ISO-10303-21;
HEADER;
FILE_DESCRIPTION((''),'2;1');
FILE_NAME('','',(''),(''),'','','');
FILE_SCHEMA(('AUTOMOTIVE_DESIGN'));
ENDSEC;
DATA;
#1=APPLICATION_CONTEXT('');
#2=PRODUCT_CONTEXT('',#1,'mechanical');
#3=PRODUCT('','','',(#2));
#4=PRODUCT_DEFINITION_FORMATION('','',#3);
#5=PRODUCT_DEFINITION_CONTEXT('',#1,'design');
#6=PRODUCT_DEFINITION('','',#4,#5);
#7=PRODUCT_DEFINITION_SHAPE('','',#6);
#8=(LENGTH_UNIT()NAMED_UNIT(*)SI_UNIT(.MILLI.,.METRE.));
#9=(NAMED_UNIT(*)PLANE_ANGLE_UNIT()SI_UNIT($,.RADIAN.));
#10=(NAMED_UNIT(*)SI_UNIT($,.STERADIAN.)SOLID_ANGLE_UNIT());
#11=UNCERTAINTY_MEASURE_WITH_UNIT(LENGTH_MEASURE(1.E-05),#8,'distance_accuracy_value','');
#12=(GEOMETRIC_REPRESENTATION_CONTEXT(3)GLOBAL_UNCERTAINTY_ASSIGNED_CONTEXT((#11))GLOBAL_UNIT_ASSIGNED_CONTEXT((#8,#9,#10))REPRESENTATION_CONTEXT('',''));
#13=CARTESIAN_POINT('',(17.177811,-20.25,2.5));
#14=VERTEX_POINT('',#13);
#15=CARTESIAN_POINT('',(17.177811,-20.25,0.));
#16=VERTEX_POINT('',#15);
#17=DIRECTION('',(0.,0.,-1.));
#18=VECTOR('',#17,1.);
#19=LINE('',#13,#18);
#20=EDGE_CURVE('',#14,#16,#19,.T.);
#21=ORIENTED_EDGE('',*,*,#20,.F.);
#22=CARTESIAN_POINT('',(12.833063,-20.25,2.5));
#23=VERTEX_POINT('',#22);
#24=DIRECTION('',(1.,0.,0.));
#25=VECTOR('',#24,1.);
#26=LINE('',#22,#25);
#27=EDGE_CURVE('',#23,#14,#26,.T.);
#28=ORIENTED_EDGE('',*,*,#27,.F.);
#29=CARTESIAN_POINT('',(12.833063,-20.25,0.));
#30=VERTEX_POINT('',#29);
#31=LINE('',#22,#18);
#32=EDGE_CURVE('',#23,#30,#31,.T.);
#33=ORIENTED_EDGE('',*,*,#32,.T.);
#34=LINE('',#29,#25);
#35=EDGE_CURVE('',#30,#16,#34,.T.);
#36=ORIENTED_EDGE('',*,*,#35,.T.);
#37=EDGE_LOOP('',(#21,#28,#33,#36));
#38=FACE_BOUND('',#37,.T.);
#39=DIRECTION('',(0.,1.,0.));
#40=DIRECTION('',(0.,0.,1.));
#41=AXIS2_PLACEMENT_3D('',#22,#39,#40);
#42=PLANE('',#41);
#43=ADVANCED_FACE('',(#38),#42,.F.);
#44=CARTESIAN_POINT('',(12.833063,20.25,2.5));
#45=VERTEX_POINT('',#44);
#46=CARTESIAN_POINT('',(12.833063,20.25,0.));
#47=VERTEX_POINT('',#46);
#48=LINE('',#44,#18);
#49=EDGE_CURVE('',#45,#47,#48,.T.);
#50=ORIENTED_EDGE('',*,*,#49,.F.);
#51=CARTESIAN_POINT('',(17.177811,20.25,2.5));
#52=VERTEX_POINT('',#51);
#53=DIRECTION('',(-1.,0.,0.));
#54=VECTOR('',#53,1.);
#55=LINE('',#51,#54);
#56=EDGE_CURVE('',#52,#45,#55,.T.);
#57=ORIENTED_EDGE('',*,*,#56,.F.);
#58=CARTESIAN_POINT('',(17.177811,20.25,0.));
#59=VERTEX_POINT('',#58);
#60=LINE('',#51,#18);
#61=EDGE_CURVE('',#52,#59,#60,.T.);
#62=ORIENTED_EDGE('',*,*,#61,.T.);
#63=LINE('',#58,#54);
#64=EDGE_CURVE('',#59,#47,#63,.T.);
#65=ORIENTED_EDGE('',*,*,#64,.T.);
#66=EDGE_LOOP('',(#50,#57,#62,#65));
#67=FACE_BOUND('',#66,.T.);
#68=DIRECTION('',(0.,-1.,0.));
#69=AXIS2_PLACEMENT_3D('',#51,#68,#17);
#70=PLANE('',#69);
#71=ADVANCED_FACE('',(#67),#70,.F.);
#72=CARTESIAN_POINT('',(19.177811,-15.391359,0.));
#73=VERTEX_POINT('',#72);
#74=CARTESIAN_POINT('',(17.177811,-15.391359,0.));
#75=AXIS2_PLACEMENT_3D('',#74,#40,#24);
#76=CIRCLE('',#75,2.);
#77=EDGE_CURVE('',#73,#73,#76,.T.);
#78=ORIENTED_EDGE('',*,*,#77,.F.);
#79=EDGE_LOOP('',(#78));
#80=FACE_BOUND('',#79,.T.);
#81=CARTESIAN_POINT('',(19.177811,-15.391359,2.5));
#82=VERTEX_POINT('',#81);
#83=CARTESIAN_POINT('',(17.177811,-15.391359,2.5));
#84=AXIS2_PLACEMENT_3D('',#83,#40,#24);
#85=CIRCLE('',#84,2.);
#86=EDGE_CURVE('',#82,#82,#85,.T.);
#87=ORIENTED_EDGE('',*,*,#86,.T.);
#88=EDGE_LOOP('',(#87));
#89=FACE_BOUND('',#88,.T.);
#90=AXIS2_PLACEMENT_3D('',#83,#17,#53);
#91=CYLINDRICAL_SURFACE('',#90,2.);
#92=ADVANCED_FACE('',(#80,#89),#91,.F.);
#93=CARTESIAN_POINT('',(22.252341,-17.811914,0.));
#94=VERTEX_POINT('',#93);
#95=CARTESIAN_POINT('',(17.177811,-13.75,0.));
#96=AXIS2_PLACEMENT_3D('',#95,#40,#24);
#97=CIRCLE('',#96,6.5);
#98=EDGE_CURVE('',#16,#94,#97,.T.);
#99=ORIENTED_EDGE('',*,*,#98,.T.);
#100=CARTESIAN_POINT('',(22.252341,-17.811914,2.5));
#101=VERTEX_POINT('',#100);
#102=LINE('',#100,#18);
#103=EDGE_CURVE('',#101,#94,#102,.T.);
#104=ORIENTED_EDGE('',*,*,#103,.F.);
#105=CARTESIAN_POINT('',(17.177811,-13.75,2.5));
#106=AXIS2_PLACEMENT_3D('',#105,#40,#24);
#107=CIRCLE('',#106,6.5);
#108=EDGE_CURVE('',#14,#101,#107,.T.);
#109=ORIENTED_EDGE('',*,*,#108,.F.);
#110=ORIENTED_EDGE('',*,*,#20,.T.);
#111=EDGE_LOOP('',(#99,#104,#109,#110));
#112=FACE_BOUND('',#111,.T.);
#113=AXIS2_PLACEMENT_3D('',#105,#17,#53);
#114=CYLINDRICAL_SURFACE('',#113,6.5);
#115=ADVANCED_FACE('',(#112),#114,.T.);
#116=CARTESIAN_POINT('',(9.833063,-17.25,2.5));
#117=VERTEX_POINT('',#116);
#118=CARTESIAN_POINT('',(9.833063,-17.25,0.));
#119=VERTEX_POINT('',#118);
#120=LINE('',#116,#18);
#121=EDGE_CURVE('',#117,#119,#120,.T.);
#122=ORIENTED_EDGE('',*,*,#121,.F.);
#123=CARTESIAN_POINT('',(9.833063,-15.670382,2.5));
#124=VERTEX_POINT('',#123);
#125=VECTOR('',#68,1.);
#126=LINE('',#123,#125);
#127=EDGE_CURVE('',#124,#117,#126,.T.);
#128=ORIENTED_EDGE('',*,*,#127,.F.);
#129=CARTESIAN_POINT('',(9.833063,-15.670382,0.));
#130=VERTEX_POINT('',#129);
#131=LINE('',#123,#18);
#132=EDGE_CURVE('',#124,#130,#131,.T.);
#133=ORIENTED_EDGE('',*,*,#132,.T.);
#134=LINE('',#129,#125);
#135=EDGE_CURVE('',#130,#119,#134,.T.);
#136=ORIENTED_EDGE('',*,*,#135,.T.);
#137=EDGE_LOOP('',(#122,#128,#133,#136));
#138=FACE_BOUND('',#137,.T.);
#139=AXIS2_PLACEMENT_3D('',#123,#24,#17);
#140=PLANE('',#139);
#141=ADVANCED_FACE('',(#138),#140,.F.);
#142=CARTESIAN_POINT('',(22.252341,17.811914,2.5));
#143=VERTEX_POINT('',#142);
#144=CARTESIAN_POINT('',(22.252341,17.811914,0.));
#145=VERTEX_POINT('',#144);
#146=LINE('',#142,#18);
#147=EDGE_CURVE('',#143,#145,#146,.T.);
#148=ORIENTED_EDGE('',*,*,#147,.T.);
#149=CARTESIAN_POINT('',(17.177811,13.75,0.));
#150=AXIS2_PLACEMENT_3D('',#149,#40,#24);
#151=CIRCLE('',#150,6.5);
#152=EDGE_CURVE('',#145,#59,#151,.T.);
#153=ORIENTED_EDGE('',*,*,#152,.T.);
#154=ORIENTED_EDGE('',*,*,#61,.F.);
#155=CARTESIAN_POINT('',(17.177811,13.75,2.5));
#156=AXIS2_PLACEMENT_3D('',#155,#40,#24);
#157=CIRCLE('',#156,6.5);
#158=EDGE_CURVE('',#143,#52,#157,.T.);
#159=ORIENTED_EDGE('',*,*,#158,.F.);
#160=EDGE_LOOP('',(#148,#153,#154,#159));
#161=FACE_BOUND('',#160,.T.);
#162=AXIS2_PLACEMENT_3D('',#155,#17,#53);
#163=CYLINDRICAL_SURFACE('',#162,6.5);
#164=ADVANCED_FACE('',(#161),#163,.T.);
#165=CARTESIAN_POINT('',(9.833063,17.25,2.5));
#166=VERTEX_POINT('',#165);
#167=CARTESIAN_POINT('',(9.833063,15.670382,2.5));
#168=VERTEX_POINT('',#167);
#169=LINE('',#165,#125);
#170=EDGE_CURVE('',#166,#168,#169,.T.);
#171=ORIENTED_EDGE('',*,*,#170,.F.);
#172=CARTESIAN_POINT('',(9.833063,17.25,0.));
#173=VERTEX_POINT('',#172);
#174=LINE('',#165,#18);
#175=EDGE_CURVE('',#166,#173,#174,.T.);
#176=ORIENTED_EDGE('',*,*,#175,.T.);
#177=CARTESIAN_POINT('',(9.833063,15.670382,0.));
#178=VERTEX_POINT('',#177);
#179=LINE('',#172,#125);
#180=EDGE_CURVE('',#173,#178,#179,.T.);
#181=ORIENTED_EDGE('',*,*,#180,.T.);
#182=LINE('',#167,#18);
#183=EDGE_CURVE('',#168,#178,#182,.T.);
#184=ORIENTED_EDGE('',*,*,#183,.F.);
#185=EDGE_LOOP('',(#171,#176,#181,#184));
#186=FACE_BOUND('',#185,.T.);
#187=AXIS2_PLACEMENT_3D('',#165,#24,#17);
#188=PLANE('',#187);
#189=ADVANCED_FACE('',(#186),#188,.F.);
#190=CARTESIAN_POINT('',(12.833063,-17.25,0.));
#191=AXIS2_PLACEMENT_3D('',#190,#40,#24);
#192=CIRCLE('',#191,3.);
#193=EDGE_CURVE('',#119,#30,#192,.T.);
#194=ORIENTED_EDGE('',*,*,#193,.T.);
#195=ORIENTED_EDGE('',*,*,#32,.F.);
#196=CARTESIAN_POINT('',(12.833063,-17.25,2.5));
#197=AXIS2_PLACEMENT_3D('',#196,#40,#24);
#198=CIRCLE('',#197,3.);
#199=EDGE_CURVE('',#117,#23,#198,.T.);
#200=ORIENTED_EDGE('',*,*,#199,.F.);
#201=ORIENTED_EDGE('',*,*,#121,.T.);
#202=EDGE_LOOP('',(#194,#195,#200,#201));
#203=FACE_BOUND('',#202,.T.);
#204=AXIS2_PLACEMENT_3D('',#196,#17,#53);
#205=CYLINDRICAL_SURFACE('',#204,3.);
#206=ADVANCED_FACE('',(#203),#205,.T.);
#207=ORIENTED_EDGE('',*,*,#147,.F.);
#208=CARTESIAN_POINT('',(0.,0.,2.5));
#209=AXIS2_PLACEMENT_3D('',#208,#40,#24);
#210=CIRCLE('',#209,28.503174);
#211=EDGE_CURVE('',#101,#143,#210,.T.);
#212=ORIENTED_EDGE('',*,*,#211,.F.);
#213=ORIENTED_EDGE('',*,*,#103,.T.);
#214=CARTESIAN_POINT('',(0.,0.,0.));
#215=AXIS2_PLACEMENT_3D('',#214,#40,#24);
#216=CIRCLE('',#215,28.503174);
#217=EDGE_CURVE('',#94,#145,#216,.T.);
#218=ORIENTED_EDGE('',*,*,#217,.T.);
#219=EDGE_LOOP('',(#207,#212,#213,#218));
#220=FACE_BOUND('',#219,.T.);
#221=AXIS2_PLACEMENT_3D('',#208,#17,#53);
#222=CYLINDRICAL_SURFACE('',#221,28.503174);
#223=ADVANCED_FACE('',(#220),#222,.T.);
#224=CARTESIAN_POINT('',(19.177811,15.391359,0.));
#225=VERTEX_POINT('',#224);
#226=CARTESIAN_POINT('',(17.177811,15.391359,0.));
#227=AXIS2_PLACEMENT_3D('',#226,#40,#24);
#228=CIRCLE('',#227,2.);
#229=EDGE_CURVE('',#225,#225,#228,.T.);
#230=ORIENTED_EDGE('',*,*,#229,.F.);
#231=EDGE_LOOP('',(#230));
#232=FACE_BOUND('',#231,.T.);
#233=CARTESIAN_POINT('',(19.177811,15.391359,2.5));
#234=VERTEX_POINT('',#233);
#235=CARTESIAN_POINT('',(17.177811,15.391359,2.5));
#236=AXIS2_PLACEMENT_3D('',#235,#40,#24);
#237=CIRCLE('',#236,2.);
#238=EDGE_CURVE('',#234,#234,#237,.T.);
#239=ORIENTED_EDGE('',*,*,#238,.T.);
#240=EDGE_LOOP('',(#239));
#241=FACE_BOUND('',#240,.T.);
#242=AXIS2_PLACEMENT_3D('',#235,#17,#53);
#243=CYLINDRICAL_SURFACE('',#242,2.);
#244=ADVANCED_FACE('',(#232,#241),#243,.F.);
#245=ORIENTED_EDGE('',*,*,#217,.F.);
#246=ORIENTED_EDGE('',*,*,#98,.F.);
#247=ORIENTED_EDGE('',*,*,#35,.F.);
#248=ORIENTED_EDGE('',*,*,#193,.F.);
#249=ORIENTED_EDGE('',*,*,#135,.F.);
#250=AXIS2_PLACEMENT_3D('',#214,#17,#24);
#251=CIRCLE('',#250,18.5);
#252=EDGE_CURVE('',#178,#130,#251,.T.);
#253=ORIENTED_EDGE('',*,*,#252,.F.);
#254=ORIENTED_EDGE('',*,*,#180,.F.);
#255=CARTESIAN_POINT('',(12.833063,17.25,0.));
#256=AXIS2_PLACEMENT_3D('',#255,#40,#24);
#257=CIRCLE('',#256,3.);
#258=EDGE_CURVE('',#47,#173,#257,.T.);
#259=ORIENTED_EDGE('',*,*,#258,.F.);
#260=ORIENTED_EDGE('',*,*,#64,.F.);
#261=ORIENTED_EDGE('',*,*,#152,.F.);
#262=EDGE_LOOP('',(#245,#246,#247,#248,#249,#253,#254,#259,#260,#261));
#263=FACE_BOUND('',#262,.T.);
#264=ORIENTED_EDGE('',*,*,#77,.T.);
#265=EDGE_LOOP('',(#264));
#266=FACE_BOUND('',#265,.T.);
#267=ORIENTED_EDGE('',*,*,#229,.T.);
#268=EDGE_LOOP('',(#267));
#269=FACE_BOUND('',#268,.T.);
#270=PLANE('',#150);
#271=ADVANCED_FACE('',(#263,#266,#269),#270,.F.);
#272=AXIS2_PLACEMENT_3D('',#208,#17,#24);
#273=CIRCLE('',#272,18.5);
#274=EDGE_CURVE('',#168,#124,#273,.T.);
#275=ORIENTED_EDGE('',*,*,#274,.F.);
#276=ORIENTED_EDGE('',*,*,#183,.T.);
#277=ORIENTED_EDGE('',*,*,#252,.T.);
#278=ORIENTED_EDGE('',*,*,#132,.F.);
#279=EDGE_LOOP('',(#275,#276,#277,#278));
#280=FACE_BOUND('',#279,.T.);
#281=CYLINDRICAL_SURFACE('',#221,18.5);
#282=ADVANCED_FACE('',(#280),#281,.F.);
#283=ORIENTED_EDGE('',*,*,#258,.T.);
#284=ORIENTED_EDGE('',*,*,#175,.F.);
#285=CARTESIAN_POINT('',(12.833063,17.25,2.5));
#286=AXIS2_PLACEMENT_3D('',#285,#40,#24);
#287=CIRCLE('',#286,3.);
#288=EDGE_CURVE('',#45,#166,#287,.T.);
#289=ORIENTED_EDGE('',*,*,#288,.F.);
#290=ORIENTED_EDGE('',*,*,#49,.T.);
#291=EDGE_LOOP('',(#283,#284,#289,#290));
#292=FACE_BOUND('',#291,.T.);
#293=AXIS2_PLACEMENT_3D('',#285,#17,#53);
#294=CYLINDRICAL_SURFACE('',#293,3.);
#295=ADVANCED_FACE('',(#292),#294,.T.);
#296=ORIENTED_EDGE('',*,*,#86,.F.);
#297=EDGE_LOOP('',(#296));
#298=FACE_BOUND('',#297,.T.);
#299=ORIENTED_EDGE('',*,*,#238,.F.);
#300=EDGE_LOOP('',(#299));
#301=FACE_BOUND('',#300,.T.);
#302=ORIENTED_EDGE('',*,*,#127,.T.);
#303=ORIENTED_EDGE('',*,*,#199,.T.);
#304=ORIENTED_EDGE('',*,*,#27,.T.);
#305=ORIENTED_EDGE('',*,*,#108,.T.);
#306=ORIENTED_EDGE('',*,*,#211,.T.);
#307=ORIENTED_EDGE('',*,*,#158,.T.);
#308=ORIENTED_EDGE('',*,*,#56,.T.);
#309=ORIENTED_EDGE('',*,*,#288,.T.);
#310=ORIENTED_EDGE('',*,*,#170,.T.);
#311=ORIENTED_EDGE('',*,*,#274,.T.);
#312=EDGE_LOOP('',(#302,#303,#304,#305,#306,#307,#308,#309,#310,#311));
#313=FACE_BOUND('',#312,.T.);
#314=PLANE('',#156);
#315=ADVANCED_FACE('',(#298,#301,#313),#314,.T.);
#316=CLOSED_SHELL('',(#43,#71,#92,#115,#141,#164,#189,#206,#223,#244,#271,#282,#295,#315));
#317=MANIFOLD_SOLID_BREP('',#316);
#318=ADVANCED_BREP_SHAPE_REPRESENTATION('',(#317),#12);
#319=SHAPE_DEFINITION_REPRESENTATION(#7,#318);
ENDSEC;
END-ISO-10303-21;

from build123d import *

# Parameters (mm, degrees)
SKETCH2_R           = 2
BOSS_EXTRUDE1_DEPTH = 2.5


with BuildPart() as part:
    # Sketch2 → Boss-Extrude1 (new body)
    with BuildSketch(Plane.XY):
        with BuildLine():
            Line((17.177810632, 20.25), (12.833062768, 20.25))
            ThreePointArc((12.833062768, 20.25), (10.711742424, 19.371320344), (9.833062768, 17.25))
            Line((9.833062768, 17.25), (9.833062768, 15.670382146))
            ThreePointArc((9.833062768, 15.670382146), (18.5, 0), (9.833062768, -15.670382146))
            Line((9.833062768, -15.670382146), (9.833062768, -17.25))
            ThreePointArc((9.833062768, -17.25), (10.711742424, -19.371320344), (12.833062768, -20.25))
            Line((12.833062768, -20.25), (17.177810632, -20.25))
            ThreePointArc((17.177810632, -20.25), (19.992731544, -19.608858273), (22.252340685, -17.811913926))
            ThreePointArc((22.252340685, -17.811913926), (28.503174274, 0), (22.252340685, 17.811913926))
            ThreePointArc((22.252340685, 17.811913926), (19.992731544, 19.608858273), (17.177810632, 20.25))
        make_face()
        with Locations((17.177810632, -15.391359244)):
            Circle(SKETCH2_R, mode=Mode.SUBTRACT)
        with Locations((17.177810632, 15.391359244)):
            Circle(SKETCH2_R, mode=Mode.SUBTRACT)
    extrude(amount=BOSS_EXTRUDE1_DEPTH)


solid = part.part
